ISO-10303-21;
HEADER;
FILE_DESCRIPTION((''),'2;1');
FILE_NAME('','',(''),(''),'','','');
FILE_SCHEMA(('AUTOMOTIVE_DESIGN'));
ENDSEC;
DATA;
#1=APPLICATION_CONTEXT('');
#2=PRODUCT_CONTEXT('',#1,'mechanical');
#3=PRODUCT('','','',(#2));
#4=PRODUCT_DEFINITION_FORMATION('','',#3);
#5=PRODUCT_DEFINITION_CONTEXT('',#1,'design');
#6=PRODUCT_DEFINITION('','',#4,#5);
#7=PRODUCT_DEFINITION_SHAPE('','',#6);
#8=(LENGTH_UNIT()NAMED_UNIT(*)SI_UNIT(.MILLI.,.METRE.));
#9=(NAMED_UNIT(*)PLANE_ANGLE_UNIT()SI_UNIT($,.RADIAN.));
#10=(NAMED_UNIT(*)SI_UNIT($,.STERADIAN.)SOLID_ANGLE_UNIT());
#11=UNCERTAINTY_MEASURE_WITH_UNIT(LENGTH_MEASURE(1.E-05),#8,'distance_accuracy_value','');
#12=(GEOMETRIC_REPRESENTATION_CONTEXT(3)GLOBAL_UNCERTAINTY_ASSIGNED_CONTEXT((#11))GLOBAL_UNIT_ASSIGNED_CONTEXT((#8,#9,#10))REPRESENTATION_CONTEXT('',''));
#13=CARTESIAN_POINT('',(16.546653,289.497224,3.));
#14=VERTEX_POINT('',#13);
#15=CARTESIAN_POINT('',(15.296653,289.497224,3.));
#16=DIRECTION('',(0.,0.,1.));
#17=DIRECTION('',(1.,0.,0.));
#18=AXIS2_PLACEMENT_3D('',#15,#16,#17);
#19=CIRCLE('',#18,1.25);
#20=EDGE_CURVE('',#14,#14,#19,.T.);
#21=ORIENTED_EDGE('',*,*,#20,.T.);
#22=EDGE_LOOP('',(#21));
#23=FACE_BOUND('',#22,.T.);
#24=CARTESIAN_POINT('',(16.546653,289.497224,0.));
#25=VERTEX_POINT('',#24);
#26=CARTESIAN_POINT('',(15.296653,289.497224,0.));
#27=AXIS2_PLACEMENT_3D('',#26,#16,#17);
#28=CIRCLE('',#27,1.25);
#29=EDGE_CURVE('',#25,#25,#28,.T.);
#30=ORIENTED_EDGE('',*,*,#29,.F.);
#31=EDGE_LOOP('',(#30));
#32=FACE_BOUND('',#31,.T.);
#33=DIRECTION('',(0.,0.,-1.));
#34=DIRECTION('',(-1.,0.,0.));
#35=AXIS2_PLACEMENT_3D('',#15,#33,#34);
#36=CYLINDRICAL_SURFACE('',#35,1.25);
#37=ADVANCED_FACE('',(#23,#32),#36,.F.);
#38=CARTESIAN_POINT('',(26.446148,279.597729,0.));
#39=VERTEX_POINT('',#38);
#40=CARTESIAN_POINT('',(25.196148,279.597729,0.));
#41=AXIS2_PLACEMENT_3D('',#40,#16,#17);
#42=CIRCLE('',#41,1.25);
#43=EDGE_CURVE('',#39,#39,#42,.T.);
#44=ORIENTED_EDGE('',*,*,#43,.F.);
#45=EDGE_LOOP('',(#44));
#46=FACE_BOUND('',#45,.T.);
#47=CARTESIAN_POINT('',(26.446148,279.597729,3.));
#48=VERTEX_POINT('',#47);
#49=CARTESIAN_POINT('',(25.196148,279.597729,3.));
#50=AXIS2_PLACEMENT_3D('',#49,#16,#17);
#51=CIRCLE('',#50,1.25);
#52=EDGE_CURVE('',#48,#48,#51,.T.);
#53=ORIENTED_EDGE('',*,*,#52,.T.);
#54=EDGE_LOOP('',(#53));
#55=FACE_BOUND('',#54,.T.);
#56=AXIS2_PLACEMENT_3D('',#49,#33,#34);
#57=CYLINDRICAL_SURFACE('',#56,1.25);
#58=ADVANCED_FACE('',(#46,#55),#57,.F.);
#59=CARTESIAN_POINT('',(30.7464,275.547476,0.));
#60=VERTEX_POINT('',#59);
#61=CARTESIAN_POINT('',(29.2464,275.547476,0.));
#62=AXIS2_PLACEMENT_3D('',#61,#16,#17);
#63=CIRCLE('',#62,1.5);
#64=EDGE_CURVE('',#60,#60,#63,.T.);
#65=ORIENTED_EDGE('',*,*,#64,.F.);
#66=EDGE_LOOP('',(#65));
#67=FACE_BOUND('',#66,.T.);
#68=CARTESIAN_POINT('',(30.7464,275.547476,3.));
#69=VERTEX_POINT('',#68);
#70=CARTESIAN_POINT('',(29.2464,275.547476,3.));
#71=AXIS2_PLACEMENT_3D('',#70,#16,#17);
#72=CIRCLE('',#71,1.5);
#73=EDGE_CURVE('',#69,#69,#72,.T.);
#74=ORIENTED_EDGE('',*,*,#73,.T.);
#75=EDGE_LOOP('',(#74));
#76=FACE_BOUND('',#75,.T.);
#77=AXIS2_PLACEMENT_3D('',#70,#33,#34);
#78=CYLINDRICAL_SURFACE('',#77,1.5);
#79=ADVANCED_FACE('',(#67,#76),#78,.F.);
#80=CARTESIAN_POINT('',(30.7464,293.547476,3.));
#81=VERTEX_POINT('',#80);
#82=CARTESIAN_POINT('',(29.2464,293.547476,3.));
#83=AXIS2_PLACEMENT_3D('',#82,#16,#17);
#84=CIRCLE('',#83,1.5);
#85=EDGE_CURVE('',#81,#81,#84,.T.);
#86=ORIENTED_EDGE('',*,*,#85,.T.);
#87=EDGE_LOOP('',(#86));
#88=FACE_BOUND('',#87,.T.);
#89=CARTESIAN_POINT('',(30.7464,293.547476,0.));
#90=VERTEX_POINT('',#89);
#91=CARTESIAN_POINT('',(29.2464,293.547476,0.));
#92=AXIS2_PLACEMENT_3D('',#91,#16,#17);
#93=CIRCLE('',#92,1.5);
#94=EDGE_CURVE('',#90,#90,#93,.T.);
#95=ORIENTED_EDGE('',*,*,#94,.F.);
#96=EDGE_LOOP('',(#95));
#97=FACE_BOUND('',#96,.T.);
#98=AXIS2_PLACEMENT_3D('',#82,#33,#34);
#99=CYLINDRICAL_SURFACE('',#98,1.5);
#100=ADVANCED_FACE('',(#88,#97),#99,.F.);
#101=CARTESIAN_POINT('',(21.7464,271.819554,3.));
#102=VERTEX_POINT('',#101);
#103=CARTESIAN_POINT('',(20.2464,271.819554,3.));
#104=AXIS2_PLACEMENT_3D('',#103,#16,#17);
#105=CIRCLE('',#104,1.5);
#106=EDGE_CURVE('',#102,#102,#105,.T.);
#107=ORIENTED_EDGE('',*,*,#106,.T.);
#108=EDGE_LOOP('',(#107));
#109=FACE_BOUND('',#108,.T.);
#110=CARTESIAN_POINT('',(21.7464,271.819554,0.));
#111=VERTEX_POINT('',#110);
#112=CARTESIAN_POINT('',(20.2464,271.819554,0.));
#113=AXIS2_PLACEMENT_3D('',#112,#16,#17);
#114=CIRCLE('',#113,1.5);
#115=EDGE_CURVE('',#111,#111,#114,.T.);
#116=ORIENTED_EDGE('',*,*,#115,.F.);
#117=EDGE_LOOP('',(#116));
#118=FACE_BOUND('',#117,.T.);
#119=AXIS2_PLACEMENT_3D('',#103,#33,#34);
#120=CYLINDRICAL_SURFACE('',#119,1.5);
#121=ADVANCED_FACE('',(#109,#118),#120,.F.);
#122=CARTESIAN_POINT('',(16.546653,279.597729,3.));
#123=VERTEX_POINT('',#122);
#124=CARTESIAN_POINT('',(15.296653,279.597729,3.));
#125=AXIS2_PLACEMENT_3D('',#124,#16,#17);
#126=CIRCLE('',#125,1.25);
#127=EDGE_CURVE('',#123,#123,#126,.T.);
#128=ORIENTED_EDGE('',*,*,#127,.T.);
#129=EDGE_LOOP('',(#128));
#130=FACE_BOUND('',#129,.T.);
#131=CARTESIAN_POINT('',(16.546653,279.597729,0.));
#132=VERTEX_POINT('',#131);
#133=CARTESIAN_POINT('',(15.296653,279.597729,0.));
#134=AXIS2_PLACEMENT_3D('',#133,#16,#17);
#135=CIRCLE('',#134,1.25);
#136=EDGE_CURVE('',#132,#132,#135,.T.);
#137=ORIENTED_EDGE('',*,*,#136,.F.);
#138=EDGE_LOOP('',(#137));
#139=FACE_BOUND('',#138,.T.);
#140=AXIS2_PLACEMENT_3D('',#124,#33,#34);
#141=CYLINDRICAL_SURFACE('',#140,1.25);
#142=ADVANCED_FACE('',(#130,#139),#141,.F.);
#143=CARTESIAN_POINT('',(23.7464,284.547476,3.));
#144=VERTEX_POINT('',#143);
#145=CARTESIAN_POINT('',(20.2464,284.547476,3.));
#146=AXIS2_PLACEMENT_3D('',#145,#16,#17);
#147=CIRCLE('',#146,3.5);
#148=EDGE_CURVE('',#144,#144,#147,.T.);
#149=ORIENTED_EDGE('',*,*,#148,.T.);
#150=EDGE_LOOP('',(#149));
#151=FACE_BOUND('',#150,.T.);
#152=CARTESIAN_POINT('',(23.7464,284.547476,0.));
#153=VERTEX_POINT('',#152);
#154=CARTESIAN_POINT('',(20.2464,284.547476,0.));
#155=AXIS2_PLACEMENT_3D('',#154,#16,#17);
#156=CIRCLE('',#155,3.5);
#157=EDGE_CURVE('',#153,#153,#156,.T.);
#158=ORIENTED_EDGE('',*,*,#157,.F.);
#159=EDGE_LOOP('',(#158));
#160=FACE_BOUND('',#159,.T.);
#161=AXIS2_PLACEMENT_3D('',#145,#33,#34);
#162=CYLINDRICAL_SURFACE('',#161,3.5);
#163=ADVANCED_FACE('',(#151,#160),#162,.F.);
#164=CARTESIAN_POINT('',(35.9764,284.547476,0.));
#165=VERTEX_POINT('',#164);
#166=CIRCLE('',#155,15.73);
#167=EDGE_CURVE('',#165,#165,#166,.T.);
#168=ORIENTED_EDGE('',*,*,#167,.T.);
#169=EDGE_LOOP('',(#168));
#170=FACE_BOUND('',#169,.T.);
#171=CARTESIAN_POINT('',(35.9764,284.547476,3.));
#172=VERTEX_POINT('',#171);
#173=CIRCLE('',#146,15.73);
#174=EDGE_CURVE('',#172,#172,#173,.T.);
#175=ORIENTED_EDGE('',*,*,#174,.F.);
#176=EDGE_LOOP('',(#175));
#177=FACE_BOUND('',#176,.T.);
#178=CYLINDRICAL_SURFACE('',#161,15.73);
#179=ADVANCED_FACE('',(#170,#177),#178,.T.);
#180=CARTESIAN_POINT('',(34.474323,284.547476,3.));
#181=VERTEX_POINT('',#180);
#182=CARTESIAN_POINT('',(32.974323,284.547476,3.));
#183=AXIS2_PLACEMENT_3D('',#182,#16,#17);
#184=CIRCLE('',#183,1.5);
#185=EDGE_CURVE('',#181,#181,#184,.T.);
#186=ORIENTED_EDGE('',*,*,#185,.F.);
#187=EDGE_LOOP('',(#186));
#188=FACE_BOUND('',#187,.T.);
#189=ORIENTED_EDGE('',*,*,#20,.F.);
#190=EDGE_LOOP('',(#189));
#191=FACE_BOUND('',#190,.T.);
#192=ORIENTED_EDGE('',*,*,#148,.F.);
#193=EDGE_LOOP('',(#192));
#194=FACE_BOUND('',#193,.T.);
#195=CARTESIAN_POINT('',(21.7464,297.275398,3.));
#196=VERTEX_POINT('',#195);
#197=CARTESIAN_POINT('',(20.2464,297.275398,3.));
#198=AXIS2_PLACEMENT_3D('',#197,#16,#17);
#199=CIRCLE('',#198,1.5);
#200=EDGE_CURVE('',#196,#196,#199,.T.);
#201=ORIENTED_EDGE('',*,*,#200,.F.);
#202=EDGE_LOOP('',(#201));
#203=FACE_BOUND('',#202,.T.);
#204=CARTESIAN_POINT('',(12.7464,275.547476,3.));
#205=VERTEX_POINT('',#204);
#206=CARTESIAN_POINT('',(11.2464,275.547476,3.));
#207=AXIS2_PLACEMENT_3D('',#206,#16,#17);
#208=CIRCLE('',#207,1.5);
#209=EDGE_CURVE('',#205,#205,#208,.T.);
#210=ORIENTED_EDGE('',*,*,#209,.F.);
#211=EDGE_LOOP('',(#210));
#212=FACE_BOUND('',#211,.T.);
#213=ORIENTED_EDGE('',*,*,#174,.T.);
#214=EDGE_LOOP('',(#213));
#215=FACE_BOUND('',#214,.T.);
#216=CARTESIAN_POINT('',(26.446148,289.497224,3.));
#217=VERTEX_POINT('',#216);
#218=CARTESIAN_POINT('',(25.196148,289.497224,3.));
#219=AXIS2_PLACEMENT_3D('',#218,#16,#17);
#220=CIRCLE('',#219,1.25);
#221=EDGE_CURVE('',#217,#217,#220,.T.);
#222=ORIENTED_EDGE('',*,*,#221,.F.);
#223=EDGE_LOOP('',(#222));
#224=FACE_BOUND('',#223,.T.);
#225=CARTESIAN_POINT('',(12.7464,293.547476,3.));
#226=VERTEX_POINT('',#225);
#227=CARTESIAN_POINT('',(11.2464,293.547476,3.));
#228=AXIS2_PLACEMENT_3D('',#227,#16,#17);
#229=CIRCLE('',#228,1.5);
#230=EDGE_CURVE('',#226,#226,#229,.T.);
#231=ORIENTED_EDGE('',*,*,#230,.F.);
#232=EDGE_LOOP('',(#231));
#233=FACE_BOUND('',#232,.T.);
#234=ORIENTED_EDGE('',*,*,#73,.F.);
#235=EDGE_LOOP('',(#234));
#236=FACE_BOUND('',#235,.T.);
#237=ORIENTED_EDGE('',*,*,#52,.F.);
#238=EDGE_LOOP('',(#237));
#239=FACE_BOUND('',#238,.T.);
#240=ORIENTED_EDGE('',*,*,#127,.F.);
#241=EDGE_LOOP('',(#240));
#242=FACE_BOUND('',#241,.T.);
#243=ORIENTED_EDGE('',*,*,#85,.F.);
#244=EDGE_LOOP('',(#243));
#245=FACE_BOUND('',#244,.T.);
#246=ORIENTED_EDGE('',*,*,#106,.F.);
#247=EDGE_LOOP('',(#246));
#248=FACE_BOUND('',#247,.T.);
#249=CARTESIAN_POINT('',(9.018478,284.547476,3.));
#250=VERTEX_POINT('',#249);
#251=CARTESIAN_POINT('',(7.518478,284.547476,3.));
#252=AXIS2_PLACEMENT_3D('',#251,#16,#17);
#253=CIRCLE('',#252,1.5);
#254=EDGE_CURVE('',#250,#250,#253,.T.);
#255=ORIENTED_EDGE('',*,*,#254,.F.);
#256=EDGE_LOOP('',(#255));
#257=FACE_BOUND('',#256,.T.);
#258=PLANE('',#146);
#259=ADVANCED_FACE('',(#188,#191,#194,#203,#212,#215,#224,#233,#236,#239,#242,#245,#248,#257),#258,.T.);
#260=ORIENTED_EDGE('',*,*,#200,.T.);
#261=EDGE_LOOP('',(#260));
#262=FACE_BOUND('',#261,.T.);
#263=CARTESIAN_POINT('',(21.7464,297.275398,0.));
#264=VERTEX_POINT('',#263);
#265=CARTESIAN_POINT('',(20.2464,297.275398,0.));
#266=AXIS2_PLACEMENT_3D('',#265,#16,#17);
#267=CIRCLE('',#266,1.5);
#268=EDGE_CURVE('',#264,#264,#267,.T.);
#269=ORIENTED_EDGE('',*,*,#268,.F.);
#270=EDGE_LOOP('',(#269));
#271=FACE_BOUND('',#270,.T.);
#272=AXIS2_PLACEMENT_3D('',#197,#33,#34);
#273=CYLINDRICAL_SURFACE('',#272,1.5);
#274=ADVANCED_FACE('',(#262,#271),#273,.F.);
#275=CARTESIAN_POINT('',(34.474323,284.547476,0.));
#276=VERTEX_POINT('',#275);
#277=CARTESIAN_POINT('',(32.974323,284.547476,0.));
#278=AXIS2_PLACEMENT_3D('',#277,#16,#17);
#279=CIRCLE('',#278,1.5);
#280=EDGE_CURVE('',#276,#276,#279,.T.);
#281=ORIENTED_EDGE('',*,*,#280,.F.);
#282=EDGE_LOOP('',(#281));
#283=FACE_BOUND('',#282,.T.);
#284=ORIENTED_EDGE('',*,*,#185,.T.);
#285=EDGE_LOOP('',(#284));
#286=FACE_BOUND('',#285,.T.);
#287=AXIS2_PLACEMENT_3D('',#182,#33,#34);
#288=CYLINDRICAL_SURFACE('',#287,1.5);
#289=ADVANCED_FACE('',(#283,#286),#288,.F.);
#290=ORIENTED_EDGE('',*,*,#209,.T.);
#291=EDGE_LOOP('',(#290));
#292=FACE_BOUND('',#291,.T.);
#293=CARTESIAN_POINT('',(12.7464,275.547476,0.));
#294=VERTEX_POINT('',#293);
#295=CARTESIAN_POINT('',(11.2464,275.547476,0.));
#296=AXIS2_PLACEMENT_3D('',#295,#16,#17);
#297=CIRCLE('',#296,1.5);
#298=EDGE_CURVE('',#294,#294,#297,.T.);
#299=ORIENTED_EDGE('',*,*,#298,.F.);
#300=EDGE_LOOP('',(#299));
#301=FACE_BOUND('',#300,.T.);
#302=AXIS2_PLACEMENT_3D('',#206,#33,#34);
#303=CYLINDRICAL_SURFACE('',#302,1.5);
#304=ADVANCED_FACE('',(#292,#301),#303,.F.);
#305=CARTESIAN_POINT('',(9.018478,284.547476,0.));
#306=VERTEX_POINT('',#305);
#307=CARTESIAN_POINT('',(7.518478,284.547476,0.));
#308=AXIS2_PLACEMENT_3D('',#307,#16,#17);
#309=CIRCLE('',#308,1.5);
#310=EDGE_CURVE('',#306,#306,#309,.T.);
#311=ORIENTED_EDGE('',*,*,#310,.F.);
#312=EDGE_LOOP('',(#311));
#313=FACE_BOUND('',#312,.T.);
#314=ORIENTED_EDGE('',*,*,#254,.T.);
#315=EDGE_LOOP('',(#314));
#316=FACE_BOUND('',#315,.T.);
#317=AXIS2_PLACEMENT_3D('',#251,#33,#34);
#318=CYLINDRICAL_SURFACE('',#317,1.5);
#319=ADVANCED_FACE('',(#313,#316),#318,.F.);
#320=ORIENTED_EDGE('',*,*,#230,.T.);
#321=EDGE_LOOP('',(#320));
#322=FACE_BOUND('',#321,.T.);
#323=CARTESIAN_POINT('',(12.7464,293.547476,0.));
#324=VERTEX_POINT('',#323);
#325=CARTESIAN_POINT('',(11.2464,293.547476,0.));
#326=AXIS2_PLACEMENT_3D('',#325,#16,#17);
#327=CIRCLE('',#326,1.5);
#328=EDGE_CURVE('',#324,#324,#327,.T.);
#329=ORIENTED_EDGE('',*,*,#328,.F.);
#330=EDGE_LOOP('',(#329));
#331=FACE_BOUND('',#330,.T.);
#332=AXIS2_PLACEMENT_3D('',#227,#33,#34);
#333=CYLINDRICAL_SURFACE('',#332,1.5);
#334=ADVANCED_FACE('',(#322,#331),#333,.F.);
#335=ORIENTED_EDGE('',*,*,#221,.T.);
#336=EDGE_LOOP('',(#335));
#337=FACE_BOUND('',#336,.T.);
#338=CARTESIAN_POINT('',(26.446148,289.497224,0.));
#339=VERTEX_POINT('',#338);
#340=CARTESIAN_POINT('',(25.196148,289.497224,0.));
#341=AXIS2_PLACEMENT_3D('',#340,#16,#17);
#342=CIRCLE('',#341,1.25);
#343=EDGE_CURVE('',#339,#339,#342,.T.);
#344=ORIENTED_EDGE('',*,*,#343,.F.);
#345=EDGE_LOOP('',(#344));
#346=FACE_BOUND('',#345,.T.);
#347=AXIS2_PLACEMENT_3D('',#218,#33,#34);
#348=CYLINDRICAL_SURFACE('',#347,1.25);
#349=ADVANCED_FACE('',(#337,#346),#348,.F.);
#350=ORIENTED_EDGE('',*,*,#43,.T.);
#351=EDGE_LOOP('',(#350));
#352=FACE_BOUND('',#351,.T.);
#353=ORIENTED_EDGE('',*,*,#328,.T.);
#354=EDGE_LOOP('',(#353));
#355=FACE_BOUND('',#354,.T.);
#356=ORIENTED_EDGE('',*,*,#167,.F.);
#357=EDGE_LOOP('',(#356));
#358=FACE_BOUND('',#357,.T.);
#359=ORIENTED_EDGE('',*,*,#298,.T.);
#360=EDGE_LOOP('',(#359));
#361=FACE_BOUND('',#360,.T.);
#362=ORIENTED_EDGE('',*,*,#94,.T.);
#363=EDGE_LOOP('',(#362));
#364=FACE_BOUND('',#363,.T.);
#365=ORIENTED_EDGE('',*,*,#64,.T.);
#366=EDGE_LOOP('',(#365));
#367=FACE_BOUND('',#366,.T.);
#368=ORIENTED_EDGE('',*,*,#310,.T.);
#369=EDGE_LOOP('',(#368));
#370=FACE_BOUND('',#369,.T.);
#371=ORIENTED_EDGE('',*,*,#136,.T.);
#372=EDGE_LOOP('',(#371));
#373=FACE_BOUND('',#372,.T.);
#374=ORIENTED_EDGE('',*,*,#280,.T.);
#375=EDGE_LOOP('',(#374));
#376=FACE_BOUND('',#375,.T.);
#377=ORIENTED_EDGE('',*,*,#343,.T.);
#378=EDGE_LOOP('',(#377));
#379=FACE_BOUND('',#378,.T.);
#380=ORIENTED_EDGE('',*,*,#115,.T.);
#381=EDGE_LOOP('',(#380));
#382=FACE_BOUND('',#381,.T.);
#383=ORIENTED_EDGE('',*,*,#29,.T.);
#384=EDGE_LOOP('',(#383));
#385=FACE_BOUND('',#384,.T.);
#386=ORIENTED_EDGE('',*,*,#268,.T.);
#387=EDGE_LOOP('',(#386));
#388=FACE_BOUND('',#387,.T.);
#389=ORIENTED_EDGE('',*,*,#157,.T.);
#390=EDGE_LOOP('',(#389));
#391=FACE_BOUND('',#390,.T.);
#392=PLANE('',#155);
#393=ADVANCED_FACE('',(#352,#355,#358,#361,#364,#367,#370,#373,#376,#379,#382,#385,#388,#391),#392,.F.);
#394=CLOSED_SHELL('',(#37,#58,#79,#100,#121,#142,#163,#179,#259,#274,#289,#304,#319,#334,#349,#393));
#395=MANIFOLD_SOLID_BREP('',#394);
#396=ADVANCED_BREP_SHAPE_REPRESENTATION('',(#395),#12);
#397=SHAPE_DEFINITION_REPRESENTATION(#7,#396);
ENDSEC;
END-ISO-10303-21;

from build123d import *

# Parameters (mm, degrees)
MODEL_R                 = 15.73
MODEL_R_2               = 1.5
MODEL_R_3               = 1.25
MODEL_R_4               = 3.5
SALIENTE_EXTRUIR1_DEPTH = 3


with BuildPart() as part:
    # Model → Saliente-Extruir1 (new body)
    with BuildSketch(Plane.XY):
        with Locations((20.246400491, 284.547476206)):
            Circle(MODEL_R)
        with Locations((20.246400491, 297.275398267)):
            Circle(MODEL_R_2, mode=Mode.SUBTRACT)
        with Locations((7.51847843, 284.547476206)):
            Circle(MODEL_R_2, mode=Mode.SUBTRACT)
        with Locations((20.246400491, 271.819554144)):
            Circle(MODEL_R_2, mode=Mode.SUBTRACT)
        with Locations((32.974322552, 284.547476206)):
            Circle(MODEL_R_2, mode=Mode.SUBTRACT)
        with Locations((15.296653023, 289.497223674)):
            Circle(MODEL_R_3, mode=Mode.SUBTRACT)
        with Locations((15.296653023, 279.597728738)):
            Circle(MODEL_R_3, mode=Mode.SUBTRACT)
        with Locations((25.196147959, 279.597728738)):
            Circle(MODEL_R_3, mode=Mode.SUBTRACT)
        with Locations((25.196147959, 289.497223674)):
            Circle(MODEL_R_3, mode=Mode.SUBTRACT)
        with Locations((20.246400491, 284.547476206)):
            Circle(MODEL_R_4, mode=Mode.SUBTRACT)
        with Locations((11.246400491, 293.547476206)):
            Circle(MODEL_R_2, mode=Mode.SUBTRACT)
        with Locations((11.246400491, 275.547476206)):
            Circle(MODEL_R_2, mode=Mode.SUBTRACT)
        with Locations((29.246400491, 275.547476206)):
            Circle(MODEL_R_2, mode=Mode.SUBTRACT)
        with Locations((29.246400491, 293.547476206)):
            Circle(MODEL_R_2, mode=Mode.SUBTRACT)
    extrude(amount=SALIENTE_EXTRUIR1_DEPTH)


solid = part.part
